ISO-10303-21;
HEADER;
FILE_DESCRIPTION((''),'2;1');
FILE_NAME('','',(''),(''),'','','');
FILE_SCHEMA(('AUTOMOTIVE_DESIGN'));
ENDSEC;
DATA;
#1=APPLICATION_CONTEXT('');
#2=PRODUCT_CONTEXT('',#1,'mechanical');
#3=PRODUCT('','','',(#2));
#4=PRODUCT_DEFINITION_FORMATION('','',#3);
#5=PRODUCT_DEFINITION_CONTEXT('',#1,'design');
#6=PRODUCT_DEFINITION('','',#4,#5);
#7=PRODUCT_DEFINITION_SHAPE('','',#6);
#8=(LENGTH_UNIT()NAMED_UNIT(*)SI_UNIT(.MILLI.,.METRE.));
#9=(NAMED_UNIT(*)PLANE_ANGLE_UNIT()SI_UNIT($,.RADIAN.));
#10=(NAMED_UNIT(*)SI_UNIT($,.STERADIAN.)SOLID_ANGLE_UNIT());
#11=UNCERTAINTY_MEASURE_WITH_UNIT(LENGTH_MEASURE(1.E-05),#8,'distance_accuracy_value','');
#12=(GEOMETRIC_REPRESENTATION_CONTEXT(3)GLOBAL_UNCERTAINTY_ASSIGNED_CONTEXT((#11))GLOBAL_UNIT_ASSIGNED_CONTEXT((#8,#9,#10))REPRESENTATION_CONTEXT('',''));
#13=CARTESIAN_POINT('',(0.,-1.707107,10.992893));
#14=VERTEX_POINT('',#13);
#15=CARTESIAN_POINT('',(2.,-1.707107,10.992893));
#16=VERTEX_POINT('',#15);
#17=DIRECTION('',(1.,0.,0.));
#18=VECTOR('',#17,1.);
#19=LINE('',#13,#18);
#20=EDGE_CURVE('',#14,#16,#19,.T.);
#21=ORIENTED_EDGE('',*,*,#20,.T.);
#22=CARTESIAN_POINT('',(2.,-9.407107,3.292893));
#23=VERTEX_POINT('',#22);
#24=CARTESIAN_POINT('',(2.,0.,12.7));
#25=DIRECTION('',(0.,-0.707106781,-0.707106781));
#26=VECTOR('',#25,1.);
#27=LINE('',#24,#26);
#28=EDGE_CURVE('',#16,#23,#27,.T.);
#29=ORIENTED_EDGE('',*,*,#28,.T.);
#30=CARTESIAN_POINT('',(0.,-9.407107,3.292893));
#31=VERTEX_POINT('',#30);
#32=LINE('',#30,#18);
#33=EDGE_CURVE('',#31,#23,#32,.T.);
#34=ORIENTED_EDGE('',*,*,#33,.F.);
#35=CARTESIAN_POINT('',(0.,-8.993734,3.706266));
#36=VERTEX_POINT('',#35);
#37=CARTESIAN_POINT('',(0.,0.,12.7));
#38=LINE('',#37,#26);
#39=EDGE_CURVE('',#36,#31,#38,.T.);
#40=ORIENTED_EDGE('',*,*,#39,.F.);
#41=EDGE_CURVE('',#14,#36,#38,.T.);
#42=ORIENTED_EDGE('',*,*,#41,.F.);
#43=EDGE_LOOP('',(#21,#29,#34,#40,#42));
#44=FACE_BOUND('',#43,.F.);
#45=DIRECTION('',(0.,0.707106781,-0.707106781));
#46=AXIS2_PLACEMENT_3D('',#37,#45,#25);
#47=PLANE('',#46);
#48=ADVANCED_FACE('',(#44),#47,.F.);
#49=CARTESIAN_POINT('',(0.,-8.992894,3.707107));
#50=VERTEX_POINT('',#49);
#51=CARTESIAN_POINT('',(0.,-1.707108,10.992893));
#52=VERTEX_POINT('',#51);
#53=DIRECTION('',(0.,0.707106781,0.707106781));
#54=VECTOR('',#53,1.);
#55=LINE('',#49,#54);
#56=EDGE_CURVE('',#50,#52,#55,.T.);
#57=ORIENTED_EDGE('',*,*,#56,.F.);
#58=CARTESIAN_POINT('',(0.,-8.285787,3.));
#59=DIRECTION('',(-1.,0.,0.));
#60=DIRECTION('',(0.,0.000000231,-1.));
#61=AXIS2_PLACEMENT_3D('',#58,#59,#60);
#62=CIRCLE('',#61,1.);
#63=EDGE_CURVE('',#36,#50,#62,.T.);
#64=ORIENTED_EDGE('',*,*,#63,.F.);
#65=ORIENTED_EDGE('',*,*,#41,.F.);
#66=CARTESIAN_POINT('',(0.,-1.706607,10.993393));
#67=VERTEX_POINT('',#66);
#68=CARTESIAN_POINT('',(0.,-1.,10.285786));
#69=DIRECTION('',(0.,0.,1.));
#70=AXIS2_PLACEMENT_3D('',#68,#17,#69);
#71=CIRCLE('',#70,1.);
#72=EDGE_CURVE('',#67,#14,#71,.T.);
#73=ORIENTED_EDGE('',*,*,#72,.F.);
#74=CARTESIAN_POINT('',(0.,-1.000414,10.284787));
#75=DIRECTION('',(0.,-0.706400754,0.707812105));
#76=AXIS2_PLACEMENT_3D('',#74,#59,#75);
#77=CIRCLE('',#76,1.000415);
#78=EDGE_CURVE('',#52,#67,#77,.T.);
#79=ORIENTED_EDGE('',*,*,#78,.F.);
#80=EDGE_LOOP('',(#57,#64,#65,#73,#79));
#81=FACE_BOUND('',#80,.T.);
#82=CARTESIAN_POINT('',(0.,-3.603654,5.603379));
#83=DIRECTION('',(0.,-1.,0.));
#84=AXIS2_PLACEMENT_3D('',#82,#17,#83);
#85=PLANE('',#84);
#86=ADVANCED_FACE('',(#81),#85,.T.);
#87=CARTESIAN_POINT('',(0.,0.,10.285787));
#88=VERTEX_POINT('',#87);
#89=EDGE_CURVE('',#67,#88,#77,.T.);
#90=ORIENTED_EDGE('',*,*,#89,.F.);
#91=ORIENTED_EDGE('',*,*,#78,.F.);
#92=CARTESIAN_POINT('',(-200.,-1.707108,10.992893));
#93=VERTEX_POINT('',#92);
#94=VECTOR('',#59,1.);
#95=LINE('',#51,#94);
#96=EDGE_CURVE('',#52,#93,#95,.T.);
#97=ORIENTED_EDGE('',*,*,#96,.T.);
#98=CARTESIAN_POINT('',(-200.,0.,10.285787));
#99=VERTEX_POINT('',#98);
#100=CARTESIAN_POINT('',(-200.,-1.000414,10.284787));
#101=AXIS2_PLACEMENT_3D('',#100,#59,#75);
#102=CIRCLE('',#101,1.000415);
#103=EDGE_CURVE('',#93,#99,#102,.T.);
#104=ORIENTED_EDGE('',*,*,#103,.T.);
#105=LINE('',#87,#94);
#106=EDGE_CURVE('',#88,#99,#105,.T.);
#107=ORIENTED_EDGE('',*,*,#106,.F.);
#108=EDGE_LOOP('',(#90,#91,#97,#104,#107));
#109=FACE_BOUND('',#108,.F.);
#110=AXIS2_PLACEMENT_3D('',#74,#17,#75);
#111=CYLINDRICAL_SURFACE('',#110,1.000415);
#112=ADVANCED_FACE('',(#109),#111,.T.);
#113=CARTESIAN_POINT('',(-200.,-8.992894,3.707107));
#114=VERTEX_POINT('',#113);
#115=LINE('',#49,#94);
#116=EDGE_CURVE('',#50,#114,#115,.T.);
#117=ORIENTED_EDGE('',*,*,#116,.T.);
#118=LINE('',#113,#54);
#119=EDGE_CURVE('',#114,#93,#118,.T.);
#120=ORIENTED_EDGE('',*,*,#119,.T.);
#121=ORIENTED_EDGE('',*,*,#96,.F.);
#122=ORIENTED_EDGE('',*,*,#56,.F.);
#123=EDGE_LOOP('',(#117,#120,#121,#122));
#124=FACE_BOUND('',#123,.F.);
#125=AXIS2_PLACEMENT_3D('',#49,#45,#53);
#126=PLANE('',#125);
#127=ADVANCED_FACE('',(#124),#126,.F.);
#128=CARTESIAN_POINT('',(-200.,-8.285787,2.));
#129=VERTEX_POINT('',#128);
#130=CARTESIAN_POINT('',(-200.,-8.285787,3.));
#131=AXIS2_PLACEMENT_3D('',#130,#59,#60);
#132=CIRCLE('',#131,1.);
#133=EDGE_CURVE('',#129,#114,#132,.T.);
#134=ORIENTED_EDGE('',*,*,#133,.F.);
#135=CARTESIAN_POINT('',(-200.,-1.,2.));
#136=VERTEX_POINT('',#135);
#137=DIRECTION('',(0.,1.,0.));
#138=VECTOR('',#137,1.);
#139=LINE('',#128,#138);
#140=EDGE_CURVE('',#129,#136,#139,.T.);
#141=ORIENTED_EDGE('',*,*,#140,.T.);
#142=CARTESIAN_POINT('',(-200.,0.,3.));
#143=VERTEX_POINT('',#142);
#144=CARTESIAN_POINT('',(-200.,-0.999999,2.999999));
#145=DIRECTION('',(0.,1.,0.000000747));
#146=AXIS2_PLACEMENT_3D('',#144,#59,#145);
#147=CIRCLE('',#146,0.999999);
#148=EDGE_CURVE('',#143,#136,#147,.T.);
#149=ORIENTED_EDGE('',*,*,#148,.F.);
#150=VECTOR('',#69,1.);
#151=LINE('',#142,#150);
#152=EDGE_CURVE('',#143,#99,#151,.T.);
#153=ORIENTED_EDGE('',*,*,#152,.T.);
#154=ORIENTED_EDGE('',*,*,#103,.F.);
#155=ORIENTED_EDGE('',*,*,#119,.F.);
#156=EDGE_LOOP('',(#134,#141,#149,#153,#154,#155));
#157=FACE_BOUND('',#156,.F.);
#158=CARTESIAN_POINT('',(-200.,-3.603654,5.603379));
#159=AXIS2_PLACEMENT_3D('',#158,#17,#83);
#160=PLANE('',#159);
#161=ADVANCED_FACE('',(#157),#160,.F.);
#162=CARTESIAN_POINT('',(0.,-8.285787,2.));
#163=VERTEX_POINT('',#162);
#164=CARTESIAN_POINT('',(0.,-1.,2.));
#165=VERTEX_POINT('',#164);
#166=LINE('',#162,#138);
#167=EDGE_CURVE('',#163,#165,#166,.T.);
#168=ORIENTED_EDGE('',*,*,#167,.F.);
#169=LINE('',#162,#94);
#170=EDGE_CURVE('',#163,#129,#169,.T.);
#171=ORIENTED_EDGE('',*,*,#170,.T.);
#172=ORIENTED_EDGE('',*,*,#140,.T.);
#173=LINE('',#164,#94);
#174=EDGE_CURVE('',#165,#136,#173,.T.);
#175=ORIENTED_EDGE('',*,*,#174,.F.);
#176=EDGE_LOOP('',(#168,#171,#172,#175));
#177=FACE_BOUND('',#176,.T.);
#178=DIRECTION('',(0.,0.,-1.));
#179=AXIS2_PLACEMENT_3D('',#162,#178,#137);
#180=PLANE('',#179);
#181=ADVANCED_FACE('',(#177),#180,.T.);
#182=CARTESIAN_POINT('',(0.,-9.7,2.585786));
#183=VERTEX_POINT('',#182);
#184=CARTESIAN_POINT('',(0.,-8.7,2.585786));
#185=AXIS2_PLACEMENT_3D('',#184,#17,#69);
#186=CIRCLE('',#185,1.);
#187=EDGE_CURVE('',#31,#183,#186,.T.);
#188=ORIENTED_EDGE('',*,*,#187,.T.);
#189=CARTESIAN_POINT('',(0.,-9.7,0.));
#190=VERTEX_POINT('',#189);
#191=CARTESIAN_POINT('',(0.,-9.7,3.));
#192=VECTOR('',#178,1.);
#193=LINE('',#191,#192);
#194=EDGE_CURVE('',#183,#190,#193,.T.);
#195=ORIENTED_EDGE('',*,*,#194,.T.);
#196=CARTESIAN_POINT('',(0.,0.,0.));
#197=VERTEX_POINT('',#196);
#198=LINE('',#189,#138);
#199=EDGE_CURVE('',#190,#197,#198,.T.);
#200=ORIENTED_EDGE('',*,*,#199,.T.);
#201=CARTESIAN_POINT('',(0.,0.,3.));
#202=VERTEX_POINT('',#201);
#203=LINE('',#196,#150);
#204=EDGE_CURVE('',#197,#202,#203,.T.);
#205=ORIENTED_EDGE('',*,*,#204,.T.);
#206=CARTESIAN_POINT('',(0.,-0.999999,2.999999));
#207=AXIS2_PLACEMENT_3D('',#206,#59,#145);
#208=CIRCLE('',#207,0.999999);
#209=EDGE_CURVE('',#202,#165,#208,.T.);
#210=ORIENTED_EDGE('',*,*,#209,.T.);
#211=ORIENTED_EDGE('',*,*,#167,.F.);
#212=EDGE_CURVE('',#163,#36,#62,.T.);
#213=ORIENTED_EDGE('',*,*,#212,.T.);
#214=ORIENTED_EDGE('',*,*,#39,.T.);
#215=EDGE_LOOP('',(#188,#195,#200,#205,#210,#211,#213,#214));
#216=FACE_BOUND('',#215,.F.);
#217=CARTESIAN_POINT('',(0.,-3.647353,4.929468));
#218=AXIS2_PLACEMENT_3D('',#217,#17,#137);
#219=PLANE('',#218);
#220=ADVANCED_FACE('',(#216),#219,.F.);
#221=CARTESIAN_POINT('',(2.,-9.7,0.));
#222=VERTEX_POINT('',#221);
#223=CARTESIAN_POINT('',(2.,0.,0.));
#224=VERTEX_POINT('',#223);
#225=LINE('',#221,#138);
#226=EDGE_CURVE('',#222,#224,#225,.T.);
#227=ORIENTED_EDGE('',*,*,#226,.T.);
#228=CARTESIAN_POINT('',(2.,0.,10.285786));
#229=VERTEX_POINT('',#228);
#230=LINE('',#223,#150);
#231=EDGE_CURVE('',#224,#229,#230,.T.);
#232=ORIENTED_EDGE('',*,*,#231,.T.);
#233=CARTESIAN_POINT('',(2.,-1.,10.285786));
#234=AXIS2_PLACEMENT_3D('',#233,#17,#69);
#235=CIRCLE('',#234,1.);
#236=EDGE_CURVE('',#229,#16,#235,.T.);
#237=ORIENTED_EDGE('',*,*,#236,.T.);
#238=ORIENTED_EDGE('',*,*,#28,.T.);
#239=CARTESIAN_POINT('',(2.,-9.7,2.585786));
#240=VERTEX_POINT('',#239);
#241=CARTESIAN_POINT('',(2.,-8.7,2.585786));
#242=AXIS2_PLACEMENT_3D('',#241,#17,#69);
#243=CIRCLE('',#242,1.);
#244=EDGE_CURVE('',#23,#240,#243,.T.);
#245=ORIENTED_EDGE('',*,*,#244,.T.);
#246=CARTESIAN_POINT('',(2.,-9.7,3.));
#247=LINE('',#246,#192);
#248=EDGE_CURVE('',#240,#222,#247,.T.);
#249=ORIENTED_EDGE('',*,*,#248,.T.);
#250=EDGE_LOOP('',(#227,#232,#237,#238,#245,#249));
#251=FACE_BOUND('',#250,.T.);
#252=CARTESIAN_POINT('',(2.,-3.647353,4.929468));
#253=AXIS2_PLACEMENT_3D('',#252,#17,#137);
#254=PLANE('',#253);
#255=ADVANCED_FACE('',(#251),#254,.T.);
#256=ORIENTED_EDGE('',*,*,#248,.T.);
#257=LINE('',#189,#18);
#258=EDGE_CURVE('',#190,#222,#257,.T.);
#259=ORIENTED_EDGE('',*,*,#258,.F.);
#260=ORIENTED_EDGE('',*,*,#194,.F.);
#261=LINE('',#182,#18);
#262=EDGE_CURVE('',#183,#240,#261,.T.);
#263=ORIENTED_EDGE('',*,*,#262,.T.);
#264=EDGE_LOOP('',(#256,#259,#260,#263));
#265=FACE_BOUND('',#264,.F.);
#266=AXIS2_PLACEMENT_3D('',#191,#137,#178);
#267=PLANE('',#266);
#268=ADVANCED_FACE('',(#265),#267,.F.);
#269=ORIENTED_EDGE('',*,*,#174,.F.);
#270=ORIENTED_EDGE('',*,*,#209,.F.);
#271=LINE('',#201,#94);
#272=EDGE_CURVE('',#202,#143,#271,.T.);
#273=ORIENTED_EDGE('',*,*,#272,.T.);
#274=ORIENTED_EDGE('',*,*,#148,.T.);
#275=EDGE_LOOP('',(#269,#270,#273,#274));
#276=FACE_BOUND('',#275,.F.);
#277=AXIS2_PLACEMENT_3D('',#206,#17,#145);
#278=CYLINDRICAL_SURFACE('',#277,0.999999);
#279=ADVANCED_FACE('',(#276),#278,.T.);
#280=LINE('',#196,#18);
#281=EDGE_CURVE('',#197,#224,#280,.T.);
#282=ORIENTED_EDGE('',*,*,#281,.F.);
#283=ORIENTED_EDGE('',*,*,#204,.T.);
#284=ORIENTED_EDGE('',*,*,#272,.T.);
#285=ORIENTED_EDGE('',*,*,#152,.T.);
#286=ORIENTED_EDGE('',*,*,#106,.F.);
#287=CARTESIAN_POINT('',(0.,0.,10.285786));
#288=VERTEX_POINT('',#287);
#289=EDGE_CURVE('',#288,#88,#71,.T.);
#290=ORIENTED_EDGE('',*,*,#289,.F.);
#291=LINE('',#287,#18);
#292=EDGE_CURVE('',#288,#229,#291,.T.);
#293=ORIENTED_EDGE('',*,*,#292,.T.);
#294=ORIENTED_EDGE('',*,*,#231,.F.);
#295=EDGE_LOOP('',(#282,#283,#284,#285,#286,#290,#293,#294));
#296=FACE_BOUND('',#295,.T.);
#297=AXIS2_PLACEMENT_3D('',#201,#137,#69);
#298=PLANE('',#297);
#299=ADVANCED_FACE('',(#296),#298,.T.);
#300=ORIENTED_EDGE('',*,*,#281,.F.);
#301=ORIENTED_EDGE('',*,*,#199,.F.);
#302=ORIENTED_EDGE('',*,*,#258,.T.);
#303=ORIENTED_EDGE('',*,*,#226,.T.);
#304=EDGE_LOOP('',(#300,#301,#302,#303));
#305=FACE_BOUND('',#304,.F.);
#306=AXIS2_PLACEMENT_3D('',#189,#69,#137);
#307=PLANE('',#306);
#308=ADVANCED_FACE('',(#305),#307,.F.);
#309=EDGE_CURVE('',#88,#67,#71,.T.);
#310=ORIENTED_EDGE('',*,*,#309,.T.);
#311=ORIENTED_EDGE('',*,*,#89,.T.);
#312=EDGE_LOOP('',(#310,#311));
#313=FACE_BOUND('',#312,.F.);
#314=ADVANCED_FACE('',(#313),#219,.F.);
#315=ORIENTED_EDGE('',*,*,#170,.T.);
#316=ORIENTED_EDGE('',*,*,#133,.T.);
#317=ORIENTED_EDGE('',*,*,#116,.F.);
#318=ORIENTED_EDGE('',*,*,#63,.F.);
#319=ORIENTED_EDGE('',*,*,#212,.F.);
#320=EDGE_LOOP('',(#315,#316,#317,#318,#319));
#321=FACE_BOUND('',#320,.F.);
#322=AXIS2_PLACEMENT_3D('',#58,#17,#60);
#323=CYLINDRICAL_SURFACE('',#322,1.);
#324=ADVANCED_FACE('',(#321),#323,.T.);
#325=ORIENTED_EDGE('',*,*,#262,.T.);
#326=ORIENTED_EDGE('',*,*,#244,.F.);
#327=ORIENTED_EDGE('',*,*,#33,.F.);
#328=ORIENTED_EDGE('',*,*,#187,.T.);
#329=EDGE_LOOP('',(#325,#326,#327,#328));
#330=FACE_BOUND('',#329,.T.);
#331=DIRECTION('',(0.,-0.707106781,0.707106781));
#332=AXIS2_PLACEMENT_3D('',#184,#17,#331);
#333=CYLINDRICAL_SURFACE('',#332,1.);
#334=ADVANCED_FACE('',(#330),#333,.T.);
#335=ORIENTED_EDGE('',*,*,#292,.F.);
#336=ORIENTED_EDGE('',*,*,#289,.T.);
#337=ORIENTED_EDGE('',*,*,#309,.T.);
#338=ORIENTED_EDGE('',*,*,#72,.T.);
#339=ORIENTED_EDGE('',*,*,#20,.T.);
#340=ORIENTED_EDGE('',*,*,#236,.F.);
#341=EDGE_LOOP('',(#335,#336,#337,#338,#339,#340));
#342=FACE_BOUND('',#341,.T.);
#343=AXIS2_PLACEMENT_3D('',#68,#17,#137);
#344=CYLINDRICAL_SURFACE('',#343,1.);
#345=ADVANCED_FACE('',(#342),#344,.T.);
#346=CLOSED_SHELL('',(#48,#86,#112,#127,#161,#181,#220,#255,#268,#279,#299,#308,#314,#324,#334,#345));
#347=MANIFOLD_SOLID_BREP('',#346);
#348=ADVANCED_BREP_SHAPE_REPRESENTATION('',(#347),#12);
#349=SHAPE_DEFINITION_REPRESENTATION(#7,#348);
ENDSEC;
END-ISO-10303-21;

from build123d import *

# Parameters (mm, degrees)
PAD_DEPTH    = 2
FILLET_R     = 1
FILLET001_R  = 1
PAD001_DEPTH = 200


with BuildPart() as part:
    # Sketch → Pad (new body)
    with BuildSketch(Plane.YZ):
        Polygon((-9.7, 0), (0, 0), (0, 12.7), (-9.7, 3), align=None)
    extrude(amount=PAD_DEPTH)

    # Fillet
    fillet_edges = [part.edges().sort_by_distance(p)[0] for p in [
        (1, 0, 12.7),
    ]]
    fillet(fillet_edges, radius=FILLET_R)

    # Fillet001
    fillet001_edges = [part.edges().sort_by_distance(p)[0] for p in [
        (1, -9.7, 3),
    ]]
    fillet(fillet001_edges, radius=FILLET001_R)

    # Sketch001 (on Face1 of Fillet001) → Pad001 (join)
    with BuildSketch(Plane(origin=(0, 0, 0), x_dir=(0, 1, 0), z_dir=(-1, 0, 0))):
        with BuildLine():
            Line((0, -3), (0, -10.285787))
            ThreePointArc((-1.707108, -10.992893), (-0.617572, -11.20905), (0, -10.285787))
            Line((-8.992894, -3.707107), (-1.707108, -10.992893))
            ThreePointArc((-8.285787, -2), (-9.209667, -2.617317), (-8.992894, -3.707107))
            Line((-8.285787, -2), (-1, -2))
            ThreePointArc((0, -3), (-0.292893, -2.292893), (-1, -2))
        make_face()
    extrude(amount=PAD001_DEPTH)


solid = part.part
